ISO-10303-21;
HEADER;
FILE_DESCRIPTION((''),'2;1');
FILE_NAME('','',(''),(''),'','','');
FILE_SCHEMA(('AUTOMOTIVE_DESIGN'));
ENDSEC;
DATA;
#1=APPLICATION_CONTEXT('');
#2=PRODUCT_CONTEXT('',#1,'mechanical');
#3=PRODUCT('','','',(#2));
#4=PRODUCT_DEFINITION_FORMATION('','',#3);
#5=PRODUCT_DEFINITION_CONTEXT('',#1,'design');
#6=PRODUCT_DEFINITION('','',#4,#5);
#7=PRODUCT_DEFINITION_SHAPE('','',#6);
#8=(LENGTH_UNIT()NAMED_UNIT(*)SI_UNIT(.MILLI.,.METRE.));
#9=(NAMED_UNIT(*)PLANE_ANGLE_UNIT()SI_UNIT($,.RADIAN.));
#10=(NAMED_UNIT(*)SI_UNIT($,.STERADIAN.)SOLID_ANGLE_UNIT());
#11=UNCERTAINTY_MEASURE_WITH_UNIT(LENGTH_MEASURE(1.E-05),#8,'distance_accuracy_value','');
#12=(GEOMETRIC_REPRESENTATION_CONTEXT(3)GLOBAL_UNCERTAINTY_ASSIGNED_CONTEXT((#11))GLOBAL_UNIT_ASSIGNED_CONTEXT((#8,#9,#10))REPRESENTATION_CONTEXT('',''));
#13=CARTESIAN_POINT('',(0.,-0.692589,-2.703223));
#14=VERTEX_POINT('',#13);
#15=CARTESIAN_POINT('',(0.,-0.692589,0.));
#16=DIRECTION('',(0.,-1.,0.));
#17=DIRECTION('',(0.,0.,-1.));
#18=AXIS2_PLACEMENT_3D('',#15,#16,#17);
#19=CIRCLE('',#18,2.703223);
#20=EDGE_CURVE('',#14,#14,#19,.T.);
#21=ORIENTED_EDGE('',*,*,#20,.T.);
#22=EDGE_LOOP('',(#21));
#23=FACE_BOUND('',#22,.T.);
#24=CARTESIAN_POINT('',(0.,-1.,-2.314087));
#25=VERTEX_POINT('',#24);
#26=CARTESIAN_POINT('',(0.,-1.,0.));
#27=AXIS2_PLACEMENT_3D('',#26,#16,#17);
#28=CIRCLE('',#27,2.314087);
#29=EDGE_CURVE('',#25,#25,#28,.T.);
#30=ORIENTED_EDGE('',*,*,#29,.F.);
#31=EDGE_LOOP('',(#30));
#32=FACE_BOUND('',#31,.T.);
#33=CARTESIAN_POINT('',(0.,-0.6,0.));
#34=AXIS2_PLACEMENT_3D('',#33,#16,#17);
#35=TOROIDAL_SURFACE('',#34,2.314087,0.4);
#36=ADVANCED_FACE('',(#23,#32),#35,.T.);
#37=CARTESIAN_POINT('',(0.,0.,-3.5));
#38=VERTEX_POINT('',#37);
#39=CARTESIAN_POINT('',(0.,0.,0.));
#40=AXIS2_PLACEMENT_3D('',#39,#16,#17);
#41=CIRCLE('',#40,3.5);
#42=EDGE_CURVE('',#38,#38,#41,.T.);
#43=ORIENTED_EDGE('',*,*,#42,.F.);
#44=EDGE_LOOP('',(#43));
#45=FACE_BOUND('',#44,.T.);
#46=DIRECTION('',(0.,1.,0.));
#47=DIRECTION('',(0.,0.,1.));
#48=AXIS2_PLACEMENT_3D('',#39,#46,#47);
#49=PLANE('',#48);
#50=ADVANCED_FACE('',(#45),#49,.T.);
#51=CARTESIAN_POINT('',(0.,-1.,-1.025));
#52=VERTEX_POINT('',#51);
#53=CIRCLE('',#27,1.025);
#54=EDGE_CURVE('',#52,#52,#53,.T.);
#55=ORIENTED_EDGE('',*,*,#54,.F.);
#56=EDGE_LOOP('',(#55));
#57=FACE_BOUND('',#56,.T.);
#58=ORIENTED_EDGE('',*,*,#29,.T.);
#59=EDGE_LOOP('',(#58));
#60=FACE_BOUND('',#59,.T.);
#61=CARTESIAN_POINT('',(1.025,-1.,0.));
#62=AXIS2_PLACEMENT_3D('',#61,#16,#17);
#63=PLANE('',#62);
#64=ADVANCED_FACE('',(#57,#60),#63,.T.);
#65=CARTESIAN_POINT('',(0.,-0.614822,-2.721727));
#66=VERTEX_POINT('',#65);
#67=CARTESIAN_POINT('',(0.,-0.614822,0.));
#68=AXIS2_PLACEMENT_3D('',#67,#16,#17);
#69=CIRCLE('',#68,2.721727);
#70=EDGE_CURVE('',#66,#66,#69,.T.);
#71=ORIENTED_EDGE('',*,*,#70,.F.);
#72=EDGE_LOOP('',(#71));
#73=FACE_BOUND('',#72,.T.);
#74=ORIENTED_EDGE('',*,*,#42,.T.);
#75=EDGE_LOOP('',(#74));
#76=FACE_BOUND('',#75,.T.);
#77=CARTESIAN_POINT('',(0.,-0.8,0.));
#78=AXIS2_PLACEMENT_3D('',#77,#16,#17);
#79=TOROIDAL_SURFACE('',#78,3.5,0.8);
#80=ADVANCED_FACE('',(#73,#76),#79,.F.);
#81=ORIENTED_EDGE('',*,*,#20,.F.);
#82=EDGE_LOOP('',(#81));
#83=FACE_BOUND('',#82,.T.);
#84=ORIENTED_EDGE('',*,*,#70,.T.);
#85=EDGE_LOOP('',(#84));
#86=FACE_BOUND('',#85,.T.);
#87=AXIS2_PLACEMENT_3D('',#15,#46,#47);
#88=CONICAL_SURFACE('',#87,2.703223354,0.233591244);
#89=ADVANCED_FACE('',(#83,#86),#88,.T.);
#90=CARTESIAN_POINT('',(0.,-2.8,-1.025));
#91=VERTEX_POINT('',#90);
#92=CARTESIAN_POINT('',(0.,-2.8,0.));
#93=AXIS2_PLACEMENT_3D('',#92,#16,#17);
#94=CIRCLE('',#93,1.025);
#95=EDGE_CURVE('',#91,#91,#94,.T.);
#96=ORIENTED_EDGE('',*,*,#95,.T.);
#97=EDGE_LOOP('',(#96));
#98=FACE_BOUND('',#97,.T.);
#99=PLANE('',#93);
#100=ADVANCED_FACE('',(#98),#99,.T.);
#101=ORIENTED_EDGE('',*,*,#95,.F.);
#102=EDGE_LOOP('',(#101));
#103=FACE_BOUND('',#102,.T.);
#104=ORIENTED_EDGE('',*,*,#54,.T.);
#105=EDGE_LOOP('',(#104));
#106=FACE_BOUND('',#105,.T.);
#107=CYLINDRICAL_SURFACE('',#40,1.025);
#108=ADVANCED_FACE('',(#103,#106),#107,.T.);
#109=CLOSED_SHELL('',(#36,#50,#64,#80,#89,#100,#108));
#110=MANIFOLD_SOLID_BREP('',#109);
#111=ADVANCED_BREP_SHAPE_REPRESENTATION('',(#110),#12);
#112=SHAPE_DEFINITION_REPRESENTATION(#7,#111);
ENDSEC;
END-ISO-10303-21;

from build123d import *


with BuildPart() as part:
    # Эскиз1 → Повернуть1 (revolve)
    with BuildSketch(Plane.XY, mode=Mode.PRIVATE) as revolve_1_sk:
        with BuildLine():
            Line((0, 0), (0, -2.8))
            Line((0, -2.8), (1.025, -2.8))
            Line((1.025, -2.8), (1.025, -1))
            Line((1.025, -1), (2.314086796, -1))
            ThreePointArc((2.314086796, -1), (2.562042805, -0.913875481), (2.703223354, -0.692589088))
            Line((2.703223354, -0.692589088), (2.721726884, -0.614821824))
            ThreePointArc((2.721726884, -0.614821824), (3.004087982, -0.172249038), (3.5, 0))
            Line((3.5, 0), (0, 0))
        make_face()
    revolve(revolve_1_sk.sketch.rotate(Axis((0, 0, 0), (0, 1, 0)), 90), axis=Axis((0, 0, 0), (0, 1, 0)))


solid = part.part
